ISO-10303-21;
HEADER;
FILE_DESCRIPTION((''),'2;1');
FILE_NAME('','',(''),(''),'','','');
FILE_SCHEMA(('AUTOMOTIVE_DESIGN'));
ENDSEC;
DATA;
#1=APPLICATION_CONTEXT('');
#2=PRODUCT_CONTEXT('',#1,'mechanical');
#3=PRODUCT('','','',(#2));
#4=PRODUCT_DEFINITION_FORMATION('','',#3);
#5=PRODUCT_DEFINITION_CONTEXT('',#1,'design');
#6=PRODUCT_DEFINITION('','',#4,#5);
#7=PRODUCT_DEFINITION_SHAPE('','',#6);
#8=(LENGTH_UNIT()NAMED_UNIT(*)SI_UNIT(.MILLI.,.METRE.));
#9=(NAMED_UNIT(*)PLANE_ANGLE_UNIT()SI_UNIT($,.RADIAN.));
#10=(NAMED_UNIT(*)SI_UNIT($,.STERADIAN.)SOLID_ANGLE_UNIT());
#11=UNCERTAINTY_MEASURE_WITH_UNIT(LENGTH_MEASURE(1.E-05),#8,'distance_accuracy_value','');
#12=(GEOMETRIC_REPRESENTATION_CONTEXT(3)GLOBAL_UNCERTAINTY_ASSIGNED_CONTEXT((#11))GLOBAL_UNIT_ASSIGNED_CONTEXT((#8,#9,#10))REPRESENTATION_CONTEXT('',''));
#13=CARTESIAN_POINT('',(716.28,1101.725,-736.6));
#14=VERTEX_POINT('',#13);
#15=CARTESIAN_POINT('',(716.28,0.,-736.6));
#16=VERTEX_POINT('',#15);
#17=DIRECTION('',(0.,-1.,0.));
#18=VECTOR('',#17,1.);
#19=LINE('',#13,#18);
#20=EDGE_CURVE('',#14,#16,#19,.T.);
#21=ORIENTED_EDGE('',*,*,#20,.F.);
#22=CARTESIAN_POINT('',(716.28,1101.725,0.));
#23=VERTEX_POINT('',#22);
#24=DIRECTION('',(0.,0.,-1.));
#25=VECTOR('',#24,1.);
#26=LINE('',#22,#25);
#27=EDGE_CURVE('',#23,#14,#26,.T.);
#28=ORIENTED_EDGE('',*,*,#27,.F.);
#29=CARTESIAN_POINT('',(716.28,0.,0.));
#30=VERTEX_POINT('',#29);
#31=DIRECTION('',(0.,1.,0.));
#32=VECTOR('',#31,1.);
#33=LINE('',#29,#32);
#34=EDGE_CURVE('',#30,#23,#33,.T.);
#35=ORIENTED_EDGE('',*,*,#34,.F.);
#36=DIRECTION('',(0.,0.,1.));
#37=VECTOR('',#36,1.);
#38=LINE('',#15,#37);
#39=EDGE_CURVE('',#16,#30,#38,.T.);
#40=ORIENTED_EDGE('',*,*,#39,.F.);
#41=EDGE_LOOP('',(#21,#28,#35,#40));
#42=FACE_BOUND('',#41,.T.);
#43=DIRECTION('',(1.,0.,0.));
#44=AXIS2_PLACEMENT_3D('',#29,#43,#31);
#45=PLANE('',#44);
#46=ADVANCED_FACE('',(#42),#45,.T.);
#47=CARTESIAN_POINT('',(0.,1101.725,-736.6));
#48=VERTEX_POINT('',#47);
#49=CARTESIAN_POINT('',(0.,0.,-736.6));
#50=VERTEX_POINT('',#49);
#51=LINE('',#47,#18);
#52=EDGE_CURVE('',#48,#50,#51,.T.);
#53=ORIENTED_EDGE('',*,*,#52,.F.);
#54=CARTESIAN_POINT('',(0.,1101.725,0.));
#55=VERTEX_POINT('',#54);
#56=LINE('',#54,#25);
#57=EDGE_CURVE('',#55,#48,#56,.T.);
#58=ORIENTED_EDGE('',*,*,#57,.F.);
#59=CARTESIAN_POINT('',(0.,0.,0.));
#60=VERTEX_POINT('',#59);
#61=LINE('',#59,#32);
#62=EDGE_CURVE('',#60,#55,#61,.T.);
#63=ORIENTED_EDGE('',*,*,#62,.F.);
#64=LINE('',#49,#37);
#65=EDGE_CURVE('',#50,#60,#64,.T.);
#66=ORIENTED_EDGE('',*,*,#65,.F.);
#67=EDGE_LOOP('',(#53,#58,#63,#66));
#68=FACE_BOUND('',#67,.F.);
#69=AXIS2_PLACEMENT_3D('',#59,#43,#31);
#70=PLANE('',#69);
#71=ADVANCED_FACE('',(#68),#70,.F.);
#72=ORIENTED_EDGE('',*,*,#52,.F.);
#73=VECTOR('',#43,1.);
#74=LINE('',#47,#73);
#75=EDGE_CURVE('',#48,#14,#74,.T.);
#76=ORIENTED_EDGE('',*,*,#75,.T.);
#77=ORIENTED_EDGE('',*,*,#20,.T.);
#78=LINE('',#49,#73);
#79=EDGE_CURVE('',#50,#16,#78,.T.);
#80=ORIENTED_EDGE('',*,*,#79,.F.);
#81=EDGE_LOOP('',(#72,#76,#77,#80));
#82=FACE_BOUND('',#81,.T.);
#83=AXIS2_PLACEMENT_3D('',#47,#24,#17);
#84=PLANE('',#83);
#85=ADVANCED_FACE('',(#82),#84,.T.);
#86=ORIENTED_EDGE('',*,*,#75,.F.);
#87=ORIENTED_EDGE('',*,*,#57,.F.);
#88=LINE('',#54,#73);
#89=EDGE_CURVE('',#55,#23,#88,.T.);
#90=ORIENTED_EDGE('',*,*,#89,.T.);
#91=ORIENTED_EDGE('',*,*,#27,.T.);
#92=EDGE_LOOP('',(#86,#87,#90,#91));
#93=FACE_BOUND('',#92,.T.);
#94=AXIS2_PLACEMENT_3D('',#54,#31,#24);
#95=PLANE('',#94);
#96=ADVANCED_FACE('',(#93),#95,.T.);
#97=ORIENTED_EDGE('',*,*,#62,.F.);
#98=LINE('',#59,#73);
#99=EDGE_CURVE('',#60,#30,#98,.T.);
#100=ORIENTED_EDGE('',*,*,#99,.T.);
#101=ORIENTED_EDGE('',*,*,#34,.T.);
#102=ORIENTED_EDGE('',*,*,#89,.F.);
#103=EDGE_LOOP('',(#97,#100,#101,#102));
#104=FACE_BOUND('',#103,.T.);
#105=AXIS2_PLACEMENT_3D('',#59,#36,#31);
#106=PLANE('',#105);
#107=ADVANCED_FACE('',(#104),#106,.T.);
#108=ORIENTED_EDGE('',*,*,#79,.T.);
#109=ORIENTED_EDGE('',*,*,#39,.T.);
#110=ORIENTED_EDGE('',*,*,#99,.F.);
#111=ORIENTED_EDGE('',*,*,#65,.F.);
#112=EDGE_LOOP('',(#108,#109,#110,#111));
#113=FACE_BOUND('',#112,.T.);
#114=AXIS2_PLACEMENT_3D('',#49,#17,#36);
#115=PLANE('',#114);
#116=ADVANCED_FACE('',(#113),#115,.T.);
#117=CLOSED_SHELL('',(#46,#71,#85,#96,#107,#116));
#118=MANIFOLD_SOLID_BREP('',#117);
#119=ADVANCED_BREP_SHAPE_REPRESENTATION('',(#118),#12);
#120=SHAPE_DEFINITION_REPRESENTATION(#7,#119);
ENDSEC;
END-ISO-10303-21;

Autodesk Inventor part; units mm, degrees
ref_plane "YZ Plane" through (0, 0, 0) normal (1, 0, 0) x (0, 1, 0)
ref_plane "XZ Plane" through (0, 0, 0) normal (0, 1, 0) x (-1, 0, 0)
ref_plane "XY Plane" through (0, 0, 0) normal (0, 0, 1) x (1, 0, 0)
sketch "Sketch1" plane through (0, 0, 0) normal (1, 0, 0) x (0, 1, 0)
  line L0 (0, 0) -> (1101.725, 0)
  line L1 (1101.725, 0) -> (1101.725, -736.6)
  line L2 (1101.725, -736.6) -> (0, -736.6)
  line L3 (0, -736.6) -> (0, 0)
  dimension "d1" = 1101.725
  dimension "d2" = 736.6
extrude "Extrusion1" add sketch "Sketch1" along normal blind 716.28
properties part number "Drier" material "Steel"
